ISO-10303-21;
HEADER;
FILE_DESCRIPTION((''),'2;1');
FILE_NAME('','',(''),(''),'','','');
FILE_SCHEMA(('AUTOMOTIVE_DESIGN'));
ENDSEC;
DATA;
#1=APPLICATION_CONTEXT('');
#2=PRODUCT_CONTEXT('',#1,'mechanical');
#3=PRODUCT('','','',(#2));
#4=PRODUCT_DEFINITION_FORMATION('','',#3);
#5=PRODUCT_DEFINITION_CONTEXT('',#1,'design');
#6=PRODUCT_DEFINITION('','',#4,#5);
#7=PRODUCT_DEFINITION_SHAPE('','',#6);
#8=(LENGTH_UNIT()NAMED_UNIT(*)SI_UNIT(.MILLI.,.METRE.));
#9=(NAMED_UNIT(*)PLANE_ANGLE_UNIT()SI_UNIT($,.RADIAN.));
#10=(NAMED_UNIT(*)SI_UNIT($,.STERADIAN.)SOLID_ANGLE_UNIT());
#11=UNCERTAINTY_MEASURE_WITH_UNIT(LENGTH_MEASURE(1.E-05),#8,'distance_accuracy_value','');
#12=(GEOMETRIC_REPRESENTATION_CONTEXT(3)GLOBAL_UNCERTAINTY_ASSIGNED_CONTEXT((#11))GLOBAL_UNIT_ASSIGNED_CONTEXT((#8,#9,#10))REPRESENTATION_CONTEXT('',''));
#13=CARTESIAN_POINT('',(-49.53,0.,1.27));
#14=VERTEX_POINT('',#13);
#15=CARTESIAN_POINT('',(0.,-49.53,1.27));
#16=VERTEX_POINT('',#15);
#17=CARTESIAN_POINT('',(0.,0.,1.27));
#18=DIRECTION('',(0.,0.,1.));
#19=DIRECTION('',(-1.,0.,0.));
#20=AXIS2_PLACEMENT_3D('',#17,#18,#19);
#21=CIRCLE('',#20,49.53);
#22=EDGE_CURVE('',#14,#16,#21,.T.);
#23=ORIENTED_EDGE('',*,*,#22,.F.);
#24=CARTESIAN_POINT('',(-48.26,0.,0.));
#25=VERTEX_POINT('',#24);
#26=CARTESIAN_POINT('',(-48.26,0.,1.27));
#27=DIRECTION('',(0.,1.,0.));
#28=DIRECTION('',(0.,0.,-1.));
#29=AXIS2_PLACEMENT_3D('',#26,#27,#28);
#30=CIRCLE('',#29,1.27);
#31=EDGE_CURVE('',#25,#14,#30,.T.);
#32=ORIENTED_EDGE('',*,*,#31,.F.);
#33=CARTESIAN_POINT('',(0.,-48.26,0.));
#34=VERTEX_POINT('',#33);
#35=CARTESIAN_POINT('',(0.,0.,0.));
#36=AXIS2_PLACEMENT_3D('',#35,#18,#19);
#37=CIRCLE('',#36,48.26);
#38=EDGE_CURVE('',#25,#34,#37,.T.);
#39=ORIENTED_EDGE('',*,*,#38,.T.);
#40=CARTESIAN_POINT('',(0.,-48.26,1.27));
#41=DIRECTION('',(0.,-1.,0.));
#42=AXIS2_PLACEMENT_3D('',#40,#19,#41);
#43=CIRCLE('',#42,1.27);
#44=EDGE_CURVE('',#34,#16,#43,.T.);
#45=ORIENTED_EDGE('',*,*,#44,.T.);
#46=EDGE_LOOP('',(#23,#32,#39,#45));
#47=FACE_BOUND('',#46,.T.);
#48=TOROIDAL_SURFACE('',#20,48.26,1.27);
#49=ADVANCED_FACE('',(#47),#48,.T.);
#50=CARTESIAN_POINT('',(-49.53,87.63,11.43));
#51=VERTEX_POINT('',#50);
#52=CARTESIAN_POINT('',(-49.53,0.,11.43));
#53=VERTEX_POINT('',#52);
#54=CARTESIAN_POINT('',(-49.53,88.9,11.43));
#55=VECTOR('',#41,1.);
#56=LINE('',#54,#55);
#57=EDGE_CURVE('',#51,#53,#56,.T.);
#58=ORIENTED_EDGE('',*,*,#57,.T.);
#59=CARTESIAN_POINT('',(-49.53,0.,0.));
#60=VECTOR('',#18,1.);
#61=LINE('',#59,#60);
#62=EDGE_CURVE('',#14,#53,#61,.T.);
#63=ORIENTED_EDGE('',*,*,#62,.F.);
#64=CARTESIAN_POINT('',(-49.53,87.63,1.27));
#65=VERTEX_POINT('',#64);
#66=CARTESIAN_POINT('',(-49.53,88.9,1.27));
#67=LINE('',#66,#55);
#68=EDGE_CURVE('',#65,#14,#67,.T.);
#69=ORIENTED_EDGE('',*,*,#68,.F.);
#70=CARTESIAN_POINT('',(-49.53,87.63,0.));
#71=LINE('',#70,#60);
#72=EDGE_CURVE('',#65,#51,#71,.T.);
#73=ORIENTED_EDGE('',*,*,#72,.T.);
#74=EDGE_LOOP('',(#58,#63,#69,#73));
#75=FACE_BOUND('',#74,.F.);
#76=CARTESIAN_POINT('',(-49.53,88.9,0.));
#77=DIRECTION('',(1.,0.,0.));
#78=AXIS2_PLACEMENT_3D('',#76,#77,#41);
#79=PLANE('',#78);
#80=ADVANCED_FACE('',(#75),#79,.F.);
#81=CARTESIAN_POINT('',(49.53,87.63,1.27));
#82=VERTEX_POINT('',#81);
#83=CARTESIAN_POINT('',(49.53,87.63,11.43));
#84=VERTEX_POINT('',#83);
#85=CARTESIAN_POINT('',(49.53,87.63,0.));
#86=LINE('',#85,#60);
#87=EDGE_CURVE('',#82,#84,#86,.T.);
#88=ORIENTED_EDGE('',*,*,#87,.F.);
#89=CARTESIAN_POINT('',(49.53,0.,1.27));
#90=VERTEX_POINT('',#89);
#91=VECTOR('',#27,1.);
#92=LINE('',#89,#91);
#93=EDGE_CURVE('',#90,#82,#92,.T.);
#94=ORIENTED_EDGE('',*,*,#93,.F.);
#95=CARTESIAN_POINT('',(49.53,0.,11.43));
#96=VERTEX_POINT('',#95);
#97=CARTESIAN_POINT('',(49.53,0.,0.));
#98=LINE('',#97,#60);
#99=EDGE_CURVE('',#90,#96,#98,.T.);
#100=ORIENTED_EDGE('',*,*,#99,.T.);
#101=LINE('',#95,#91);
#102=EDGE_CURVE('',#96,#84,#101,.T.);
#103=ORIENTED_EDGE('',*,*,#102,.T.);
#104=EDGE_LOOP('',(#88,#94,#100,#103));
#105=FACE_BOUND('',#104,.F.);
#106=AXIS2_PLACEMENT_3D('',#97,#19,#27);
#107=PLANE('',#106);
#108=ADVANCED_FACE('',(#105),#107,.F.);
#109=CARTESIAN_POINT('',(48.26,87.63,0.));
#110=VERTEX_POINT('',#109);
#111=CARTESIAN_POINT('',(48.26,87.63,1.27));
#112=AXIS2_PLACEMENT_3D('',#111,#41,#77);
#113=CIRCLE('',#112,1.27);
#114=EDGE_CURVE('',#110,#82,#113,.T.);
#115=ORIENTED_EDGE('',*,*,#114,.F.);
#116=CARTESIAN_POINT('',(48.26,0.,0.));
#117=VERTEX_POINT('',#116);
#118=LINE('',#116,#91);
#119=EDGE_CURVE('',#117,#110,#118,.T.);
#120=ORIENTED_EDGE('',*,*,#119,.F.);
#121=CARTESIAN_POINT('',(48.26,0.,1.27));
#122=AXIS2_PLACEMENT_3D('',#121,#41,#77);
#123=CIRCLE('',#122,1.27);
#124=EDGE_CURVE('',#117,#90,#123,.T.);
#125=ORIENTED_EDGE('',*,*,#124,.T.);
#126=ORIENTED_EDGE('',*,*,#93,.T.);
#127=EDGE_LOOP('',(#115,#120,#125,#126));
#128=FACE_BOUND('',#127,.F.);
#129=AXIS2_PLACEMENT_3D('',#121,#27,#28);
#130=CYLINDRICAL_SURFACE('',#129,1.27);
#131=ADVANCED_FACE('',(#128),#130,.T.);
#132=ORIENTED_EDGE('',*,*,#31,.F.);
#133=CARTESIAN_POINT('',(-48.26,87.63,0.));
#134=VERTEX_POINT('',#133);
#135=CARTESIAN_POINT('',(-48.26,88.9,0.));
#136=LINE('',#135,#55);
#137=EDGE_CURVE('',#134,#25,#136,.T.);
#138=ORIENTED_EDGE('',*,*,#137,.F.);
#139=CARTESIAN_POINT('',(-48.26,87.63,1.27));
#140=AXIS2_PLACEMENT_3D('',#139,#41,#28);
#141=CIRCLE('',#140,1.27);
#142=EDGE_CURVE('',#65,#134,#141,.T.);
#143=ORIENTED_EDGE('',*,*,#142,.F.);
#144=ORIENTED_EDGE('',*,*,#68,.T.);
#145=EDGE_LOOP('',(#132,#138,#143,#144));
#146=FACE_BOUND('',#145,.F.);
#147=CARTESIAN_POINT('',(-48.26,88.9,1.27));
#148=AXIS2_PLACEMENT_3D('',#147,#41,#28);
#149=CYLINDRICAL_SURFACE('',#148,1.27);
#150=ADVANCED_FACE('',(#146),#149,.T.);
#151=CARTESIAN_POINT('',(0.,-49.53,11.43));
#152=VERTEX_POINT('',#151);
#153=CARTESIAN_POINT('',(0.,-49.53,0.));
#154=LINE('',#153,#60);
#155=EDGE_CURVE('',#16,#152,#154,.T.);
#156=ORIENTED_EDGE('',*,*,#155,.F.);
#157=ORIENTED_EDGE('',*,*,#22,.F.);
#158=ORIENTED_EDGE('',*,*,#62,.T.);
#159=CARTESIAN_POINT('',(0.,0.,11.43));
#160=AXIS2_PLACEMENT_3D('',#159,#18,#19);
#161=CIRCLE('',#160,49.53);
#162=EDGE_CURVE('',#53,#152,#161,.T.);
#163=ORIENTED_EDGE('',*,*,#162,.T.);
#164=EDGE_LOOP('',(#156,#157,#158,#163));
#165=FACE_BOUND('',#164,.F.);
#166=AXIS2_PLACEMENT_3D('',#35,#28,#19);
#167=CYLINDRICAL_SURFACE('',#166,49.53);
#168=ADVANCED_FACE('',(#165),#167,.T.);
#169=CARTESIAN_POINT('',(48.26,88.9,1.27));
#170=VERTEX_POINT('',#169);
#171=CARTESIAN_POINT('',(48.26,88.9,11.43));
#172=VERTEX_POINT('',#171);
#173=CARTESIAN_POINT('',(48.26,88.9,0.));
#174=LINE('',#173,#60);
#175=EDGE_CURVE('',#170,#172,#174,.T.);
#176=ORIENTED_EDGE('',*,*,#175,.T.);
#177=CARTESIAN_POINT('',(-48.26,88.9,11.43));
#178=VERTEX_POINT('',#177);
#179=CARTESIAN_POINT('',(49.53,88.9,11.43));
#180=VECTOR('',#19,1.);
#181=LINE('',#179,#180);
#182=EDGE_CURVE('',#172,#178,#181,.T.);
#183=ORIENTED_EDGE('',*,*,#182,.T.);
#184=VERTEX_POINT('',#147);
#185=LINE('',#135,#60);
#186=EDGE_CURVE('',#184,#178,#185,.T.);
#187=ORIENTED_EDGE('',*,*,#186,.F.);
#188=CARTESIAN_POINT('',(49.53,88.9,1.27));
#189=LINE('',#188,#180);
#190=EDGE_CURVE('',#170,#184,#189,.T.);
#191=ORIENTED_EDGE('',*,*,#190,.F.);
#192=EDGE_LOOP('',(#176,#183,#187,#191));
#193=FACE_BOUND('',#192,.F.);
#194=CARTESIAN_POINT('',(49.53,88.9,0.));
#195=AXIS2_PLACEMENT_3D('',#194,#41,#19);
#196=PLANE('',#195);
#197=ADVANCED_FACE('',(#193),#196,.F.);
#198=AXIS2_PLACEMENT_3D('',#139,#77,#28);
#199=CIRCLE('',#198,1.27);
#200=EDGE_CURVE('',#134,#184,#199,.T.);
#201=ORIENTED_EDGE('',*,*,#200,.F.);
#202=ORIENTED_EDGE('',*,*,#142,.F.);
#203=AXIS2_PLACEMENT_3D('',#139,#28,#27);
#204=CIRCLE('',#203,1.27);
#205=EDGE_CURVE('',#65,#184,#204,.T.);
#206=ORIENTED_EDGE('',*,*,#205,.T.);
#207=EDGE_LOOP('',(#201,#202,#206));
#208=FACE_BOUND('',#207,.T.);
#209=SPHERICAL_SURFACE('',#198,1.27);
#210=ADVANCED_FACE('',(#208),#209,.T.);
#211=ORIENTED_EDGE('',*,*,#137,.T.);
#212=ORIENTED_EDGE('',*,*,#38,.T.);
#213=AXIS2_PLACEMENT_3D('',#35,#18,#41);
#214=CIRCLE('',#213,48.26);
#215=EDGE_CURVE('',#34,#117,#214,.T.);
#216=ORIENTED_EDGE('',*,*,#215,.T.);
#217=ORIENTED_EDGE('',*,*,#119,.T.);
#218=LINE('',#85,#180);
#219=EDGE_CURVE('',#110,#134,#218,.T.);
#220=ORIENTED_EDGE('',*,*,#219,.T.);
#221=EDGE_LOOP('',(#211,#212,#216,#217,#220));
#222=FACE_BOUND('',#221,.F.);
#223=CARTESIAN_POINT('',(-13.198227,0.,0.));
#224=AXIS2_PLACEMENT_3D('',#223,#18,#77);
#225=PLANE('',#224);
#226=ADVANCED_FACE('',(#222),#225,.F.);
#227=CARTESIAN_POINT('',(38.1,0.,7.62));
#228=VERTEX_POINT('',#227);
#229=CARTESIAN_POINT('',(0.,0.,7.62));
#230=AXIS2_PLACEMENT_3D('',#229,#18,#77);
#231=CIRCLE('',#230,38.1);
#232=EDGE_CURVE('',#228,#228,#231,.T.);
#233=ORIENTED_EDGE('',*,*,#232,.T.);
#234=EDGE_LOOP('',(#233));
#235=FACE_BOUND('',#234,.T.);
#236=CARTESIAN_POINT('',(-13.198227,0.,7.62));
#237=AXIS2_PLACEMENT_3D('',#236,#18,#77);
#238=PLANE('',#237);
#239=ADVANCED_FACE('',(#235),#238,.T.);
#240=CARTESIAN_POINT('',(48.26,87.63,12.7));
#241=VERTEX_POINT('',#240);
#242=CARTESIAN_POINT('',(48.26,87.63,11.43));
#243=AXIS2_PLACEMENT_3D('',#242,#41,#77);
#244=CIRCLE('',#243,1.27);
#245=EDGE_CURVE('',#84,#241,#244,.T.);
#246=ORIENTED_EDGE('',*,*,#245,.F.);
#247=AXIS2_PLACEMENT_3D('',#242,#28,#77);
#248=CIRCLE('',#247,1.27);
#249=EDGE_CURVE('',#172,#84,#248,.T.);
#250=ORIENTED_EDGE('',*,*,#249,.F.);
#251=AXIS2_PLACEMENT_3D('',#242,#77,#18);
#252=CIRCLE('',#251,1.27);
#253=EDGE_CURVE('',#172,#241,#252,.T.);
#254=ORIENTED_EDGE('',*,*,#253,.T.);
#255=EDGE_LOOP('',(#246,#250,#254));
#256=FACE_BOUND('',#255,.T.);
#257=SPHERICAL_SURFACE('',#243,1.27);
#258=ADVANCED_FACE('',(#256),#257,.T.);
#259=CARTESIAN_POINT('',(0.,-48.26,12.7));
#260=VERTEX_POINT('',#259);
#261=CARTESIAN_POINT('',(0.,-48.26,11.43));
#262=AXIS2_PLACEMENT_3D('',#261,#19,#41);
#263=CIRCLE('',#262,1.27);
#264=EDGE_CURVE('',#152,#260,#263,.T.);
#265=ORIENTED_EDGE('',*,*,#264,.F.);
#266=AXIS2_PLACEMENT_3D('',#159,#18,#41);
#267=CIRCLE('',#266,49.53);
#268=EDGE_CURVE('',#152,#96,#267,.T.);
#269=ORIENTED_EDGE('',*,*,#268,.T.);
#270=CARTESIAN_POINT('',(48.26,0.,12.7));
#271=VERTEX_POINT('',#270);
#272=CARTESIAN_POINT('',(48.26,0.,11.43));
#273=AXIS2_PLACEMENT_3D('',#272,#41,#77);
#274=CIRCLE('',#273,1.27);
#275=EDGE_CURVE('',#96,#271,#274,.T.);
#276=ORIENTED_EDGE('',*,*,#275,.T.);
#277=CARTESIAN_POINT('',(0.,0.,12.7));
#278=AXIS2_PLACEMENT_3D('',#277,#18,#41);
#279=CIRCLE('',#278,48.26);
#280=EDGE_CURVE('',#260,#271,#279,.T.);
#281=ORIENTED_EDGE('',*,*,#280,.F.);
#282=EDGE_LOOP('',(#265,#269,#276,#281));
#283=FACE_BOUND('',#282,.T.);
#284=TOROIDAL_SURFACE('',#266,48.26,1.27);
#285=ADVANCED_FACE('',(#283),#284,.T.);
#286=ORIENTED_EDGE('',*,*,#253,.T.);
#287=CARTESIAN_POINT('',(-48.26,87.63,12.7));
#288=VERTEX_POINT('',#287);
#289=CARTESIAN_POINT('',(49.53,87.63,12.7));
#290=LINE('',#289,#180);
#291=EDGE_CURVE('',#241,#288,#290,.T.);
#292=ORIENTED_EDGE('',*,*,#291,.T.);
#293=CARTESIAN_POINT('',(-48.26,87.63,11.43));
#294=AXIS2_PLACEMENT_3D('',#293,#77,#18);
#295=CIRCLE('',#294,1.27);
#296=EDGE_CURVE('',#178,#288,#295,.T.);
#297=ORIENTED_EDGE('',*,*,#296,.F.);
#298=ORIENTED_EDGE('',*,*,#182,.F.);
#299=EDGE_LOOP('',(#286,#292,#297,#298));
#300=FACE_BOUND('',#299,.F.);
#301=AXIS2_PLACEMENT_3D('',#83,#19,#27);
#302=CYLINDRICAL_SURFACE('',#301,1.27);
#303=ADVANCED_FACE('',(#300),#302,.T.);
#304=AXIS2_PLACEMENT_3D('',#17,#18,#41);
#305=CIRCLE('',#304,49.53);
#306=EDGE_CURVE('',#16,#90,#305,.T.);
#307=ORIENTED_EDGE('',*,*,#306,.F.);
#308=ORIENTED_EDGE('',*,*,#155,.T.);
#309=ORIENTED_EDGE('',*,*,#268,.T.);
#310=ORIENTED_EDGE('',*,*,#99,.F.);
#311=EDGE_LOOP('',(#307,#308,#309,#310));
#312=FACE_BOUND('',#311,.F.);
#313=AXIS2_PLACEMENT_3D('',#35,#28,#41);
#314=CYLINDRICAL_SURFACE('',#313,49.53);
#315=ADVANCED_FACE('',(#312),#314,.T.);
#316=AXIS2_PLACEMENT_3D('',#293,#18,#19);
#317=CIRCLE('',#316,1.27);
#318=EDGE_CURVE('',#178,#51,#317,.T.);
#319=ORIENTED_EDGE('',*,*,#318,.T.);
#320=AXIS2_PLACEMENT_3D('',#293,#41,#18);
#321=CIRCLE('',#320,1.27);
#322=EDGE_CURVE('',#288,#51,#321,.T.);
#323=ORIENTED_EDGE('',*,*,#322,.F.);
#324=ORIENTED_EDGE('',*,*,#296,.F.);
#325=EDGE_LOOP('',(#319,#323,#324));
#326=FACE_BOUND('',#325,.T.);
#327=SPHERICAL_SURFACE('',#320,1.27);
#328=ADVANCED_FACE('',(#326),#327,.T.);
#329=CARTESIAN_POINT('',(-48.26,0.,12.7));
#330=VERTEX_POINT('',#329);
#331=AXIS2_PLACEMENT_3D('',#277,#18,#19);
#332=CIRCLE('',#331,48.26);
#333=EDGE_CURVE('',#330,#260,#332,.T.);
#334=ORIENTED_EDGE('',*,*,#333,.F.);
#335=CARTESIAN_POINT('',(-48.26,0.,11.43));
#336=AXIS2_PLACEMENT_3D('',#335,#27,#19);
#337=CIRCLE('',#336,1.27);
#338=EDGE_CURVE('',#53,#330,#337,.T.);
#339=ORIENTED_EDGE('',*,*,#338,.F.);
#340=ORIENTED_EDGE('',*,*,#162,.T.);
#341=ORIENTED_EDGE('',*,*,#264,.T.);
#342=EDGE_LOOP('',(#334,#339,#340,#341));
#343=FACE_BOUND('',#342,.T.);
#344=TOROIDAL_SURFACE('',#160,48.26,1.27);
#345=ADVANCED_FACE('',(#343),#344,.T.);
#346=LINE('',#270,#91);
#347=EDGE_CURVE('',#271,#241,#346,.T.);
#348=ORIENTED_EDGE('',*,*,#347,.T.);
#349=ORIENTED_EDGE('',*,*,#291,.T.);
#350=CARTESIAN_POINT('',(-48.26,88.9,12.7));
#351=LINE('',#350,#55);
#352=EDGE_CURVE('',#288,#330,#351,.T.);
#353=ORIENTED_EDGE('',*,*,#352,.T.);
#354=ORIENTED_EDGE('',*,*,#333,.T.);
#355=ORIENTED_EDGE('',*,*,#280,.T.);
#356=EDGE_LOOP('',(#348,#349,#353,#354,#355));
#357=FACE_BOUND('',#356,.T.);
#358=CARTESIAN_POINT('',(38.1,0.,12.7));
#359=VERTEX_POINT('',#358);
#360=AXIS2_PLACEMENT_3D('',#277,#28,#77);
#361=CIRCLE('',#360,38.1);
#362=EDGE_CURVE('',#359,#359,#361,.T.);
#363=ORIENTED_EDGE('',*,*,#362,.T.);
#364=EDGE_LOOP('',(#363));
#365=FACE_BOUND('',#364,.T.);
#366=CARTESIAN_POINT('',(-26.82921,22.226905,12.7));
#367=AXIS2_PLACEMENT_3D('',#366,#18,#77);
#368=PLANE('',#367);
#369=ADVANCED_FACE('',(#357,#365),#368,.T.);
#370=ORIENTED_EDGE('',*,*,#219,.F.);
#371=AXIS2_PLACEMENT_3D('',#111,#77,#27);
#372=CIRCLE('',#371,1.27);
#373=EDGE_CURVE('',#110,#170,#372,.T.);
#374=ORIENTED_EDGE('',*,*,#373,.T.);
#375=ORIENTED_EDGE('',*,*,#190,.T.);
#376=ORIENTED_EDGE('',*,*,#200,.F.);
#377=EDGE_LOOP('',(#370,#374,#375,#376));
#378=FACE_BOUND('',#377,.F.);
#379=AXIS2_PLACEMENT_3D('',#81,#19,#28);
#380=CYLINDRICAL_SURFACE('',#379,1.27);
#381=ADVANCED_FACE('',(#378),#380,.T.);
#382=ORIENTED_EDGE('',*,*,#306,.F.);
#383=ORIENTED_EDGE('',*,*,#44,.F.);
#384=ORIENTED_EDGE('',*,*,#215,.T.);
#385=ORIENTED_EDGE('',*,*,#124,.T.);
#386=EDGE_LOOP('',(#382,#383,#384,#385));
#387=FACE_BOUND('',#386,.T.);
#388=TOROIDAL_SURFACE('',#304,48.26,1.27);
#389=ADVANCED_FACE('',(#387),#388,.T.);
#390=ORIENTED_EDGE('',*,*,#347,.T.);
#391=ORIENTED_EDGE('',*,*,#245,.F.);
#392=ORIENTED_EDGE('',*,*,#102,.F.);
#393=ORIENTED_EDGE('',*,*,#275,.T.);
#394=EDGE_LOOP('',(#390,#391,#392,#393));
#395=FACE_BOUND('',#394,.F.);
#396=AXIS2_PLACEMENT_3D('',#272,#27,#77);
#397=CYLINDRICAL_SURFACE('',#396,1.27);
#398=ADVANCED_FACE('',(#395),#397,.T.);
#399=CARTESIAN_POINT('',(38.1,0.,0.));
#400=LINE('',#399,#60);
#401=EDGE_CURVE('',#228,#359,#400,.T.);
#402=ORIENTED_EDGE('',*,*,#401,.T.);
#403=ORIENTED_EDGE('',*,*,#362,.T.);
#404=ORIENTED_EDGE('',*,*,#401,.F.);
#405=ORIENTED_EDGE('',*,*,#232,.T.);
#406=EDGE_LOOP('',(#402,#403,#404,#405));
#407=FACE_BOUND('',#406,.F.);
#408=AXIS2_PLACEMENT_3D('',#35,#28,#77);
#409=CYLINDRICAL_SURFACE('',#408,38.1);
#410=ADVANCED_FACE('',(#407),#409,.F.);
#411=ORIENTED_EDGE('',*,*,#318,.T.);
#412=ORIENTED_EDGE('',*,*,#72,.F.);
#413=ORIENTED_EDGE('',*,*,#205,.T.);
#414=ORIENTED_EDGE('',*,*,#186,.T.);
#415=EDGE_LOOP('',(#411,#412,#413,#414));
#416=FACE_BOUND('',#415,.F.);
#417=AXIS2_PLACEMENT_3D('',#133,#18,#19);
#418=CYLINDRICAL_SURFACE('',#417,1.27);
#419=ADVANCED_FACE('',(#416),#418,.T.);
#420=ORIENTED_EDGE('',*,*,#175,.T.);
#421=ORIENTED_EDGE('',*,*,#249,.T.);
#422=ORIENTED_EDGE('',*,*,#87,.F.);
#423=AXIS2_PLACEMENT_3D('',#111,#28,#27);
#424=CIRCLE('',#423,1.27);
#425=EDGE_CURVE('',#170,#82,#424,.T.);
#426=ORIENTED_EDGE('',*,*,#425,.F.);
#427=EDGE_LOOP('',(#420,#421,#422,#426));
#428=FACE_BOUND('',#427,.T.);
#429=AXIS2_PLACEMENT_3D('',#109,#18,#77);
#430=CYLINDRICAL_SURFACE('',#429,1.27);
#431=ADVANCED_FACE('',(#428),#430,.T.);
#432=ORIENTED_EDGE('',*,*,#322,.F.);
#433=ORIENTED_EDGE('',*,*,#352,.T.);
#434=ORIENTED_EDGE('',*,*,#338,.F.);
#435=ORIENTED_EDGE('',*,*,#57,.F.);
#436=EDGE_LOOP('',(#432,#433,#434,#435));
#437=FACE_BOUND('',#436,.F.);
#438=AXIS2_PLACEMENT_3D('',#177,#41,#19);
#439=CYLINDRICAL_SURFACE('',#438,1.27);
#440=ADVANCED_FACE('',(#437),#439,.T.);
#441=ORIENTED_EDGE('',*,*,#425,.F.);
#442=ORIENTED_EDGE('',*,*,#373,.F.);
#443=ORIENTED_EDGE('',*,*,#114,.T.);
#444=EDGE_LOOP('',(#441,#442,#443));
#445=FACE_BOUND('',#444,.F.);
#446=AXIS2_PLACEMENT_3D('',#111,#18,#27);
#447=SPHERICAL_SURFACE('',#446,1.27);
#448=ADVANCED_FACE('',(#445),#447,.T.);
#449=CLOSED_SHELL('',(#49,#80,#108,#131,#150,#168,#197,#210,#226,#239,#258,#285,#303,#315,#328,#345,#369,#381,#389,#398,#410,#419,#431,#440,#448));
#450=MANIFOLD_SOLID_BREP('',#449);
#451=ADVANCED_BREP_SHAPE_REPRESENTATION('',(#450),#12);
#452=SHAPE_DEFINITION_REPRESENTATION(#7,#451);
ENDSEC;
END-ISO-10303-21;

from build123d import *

# Parameters (mm, degrees)
F1_DEPTH = 12.7
F2_DEPTH = 7.62
F3_R     = 1.27


with BuildPart() as f1:
    # F0 (on Top) → F1 (new body)
    with BuildSketch(Plane.XY):
        with BuildLine():
            Line((-49.53, 88.9), (-49.53, 0))
            ThreePointArc((-49.53, 0), (-35.0229988722, -35.0229988722), (0, -49.53))
            Line((0, -49.53), (0, -38.1))
            ThreePointArc((0, -38.1), (-38.1, 0), (0, 38.1))
            Line((0, 38.1), (0, 88.9))
            Line((0, 88.9), (-49.53, 88.9))
        make_face()
        with BuildLine():
            Line((0, -38.1), (0, -49.53))
            ThreePointArc((0, -49.53), (35.0229988722, -35.0229988722), (49.53, 0))
            Line((49.53, 0), (49.53, 88.9))
            Line((49.53, 88.9), (0, 88.9))
            Line((0, 88.9), (0, 38.1))
            ThreePointArc((0, 38.1), (26.9407683632, 26.9407683632), (38.1, 0))
            ThreePointArc((38.1, 0), (26.9407683632, -26.9407683632), (0, -38.1))
        make_face()
    extrude(amount=F1_DEPTH)

    # F0 (on Top) → F2 (join)
    with BuildSketch(Plane.XY):
        with BuildLine():
            ThreePointArc((0, 38.1), (-38.1, 0), (0, -38.1))
            Line((0, -38.1), (0, 38.1))
        make_face()
        with BuildLine():
            Line((0, 38.1), (0, -38.1))
            ThreePointArc((0, -38.1), (26.9407683632, -26.9407683632), (38.1, 0))
            ThreePointArc((38.1, 0), (26.9407683632, 26.9407683632), (0, 38.1))
        make_face()
    extrude(amount=F2_DEPTH)

    # F3
    f3_edges = [f1.edges().sort_by_distance(p)[0] for p in [
        (49.53, 44.45, 12.7),
        (49.53, 88.9, 6.35),
        (0, 88.9, 12.7),
        (0, 88.9, 0),
        (49.53, 44.45, 0),
        (-49.53, 88.9, 6.35),
    ]]
    fillet(f3_edges, radius=F3_R)


solid = f1.part
